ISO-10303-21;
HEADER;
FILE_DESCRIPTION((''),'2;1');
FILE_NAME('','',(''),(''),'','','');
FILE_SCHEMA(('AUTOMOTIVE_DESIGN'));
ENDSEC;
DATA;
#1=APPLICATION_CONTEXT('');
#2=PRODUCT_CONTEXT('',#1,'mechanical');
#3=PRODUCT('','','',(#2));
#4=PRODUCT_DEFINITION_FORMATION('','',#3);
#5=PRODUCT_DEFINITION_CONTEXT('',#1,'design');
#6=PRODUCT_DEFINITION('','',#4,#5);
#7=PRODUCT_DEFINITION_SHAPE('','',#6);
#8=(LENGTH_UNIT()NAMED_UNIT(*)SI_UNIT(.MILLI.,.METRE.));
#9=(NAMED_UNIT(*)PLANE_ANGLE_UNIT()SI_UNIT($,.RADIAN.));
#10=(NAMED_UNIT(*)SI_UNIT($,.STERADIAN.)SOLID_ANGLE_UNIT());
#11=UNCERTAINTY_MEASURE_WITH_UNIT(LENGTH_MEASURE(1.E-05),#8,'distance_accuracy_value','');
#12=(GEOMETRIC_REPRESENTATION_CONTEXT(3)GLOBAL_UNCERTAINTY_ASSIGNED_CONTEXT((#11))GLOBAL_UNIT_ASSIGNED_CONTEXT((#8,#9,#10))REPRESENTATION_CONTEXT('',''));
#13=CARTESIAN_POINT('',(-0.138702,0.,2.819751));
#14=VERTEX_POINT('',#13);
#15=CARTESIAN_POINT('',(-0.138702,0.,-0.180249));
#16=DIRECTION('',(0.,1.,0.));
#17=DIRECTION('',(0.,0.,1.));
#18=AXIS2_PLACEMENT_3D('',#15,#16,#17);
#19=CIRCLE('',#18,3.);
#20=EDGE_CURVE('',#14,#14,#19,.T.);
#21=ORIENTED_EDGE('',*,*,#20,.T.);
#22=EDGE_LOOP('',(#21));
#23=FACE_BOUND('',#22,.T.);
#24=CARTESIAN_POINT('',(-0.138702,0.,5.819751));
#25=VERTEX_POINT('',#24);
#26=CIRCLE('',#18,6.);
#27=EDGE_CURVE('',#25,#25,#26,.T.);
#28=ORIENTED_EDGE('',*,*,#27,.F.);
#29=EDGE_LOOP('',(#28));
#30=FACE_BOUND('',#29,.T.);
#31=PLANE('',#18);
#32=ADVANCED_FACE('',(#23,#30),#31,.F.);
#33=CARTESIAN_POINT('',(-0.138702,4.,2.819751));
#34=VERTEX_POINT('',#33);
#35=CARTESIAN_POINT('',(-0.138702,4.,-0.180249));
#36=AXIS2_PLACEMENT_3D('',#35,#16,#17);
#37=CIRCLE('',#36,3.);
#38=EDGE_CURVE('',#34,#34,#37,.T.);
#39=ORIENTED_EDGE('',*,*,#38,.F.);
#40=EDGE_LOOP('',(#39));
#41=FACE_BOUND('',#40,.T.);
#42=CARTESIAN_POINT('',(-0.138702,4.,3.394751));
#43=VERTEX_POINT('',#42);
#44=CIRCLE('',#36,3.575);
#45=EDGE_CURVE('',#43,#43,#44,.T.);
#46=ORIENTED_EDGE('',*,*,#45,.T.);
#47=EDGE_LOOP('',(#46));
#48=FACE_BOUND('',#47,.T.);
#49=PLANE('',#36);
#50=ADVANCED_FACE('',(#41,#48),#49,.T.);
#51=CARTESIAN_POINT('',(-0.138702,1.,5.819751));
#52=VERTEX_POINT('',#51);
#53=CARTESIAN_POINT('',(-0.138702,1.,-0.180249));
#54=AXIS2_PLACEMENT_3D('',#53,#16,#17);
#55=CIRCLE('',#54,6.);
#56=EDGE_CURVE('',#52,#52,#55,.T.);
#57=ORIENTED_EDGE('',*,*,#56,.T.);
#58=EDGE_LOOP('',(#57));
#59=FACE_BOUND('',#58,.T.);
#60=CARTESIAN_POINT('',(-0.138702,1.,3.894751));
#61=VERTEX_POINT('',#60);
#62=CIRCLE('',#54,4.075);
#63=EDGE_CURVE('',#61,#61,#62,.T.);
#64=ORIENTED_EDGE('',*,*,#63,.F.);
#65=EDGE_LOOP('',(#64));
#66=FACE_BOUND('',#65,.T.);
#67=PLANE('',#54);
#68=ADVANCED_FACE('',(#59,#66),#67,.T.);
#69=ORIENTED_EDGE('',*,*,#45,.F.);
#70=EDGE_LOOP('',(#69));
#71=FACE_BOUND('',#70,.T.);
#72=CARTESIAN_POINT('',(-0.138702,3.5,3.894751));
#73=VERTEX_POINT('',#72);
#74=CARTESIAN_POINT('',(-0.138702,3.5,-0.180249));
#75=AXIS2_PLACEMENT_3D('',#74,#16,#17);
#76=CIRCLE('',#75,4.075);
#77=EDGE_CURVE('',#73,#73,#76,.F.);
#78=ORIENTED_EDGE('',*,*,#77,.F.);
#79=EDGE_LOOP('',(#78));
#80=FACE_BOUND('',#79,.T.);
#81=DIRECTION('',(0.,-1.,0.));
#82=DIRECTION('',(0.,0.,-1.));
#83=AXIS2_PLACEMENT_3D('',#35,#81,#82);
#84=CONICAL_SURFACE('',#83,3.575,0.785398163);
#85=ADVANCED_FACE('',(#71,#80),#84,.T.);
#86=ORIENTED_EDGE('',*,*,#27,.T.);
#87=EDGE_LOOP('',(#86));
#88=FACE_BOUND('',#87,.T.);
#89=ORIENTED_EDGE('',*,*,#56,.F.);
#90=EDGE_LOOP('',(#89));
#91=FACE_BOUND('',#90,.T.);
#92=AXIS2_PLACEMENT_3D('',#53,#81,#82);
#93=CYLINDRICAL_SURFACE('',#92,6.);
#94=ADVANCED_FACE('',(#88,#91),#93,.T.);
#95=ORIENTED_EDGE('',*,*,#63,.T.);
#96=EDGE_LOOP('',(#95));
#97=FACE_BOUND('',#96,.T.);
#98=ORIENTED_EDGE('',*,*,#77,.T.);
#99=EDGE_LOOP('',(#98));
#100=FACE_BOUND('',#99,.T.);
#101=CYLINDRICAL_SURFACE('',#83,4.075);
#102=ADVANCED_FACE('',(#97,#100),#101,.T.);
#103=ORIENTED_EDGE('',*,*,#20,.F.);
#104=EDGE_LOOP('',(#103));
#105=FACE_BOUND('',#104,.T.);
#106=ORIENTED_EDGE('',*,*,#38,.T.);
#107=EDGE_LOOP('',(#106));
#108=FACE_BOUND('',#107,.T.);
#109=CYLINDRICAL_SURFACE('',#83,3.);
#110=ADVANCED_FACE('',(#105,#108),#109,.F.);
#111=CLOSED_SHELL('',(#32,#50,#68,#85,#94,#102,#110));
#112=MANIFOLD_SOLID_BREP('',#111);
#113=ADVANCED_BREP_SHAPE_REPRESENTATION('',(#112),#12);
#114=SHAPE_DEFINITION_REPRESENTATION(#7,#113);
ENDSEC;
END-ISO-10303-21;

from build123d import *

# Parameters (mm, degrees)
SKETCH_1_R          = 6
EXTRUDE_1_DEPTH     = 1
SKETCH_2_R          = 4.075
SKETCH_2_R_2        = 3
EXTRUDE_2_DEPTH     = 3
CUT_EXTRUDE_START   = -3
SKETCH_3_R          = 3
CUT_EXTRUDE_1_DEPTH = 3
CHAMFER_1_SIZE      = 0.5


with BuildPart() as part:
    # 草图1 → 凸台-拉伸1 (new body)
    with BuildSketch(Plane(origin=(0, 0, 0), x_dir=(1, 0, 0), z_dir=(0, 1, 0))):
        with Locations(Location((-0.138701754, 0.180249091, 0), (0, 0, 270))):
            Circle(SKETCH_1_R)
    extrude(amount=EXTRUDE_1_DEPTH)

    # 草图2 → 凸台-拉伸2 (add)
    with BuildSketch(Plane(origin=(0, 1, 0), x_dir=(1, 0, 0), z_dir=(0, 1, 0))):
        with Locations(Location((-0.138701754, 0.180249091, 0), (0, 0, 270))):
            Circle(SKETCH_2_R)
        with Locations(Location((-0.138701754, 0.180249091, 0), (0, 0, 270))):
            Circle(SKETCH_2_R_2, mode=Mode.SUBTRACT)
    extrude(amount=EXTRUDE_2_DEPTH)

    # 草图3 → 切除-拉伸1 (cut)
    with BuildSketch(Plane(origin=(0, 1, 0), x_dir=(1, 0, 0), z_dir=(0, 1, 0)).offset(CUT_EXTRUDE_START)):
        with Locations(Location((-0.138701754, 0.180249091, 0), (0, 0, 270))):
            Circle(SKETCH_3_R)
    extrude(amount=CUT_EXTRUDE_1_DEPTH, mode=Mode.SUBTRACT)

    # 倒角1
    chamfer_1_edges = [part.edges().sort_by_distance(p)[0] for p in [
        (-0.138701754, 4, -4.255249091),
    ]]
    chamfer(chamfer_1_edges, length=CHAMFER_1_SIZE)


solid = part.part
